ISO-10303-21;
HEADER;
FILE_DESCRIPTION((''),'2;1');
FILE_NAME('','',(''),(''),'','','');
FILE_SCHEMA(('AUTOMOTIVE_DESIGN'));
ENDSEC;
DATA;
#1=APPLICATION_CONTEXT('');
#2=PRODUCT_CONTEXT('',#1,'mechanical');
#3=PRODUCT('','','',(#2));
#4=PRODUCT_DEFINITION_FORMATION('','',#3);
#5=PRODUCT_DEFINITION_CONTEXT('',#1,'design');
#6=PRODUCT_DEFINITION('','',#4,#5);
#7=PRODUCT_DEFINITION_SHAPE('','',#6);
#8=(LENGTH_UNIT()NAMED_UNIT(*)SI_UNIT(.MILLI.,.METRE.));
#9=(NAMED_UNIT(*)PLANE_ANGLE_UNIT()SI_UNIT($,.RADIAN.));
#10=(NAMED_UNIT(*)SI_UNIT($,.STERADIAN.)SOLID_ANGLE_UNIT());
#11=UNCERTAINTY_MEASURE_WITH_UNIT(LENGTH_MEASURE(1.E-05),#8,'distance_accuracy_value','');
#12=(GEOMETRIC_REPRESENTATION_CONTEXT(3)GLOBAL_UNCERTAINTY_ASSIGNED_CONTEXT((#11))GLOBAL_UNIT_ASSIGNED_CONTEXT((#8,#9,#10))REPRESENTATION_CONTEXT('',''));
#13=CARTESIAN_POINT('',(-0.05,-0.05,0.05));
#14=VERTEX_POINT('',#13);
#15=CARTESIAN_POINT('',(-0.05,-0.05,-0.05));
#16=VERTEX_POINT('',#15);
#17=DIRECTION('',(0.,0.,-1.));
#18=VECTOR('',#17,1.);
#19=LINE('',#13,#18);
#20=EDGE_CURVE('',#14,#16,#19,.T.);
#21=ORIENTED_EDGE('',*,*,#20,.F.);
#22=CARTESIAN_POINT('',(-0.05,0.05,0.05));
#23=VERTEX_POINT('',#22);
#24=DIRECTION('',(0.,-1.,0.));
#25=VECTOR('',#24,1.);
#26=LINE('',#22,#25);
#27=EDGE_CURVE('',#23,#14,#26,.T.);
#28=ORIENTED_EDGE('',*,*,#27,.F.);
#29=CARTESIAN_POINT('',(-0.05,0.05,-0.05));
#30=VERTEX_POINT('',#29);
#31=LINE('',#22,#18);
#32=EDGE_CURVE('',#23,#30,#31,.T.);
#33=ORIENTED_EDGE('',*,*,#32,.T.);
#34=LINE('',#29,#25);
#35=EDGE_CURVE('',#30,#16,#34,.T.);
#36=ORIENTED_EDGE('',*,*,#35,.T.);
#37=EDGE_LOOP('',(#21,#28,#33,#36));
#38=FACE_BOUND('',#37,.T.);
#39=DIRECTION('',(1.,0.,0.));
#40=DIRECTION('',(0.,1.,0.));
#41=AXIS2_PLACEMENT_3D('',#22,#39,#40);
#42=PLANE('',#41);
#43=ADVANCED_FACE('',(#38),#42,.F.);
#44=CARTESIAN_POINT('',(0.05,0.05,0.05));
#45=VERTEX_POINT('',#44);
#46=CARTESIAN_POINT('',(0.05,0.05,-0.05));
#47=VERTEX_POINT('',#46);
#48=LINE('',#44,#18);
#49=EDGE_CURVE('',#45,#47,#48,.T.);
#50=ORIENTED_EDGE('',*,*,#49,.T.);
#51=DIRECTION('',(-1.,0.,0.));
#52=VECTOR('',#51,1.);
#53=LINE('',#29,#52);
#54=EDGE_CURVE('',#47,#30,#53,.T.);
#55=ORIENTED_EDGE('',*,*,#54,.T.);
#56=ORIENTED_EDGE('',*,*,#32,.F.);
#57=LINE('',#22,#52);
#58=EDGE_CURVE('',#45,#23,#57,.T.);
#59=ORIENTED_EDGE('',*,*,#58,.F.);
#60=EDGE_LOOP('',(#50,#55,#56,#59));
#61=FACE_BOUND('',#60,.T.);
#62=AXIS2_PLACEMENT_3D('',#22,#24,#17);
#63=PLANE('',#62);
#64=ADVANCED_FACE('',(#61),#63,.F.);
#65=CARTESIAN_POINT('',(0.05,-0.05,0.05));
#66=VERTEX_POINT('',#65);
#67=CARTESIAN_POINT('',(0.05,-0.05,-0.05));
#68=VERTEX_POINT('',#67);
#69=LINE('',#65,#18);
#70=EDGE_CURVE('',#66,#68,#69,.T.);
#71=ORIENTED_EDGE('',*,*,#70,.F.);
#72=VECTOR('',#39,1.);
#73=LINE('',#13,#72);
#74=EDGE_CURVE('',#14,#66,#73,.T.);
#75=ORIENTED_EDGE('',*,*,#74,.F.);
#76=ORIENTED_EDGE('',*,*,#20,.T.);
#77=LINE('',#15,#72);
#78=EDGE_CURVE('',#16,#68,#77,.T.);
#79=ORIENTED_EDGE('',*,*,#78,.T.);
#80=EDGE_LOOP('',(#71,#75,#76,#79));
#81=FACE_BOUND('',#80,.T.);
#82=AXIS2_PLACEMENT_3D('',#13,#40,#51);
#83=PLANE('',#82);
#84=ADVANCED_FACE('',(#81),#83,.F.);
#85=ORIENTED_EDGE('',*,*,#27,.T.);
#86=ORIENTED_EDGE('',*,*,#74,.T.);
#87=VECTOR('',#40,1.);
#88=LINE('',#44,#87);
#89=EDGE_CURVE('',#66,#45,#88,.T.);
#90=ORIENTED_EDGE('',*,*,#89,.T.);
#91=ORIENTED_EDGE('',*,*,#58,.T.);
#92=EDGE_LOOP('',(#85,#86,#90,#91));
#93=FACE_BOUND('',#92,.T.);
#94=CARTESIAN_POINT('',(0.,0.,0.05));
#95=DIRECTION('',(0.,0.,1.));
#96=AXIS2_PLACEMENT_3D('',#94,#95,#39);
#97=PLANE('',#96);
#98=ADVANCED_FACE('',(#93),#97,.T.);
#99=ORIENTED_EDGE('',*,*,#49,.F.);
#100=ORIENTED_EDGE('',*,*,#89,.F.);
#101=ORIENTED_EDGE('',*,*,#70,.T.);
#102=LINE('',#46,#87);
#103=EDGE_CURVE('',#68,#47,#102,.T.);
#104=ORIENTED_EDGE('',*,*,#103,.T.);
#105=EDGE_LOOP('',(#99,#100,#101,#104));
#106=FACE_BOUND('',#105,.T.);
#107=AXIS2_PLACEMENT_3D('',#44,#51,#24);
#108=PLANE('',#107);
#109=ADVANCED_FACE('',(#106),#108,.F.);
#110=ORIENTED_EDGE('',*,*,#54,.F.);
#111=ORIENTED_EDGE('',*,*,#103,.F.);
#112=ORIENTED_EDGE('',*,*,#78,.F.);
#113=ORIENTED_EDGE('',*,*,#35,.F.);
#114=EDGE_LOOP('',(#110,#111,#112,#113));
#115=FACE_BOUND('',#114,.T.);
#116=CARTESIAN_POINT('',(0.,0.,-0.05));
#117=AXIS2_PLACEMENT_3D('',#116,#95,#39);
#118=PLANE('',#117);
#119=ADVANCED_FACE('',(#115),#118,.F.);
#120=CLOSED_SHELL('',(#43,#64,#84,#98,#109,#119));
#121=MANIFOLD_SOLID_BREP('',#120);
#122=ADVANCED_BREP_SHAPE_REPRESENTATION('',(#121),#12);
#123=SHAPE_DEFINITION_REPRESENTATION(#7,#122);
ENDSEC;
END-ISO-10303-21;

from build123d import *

# Parameters (mm, degrees)
SKETCH_2_W      = 0.1
SKETCH_2_H      = 0.1
EXTRUDE_1_DEPTH = 0.05


with BuildPart() as part:
    # 草图2 → 凸台-拉伸1 (new body, symmetric)
    with BuildSketch(Plane.XY):
        Rectangle(SKETCH_2_W, SKETCH_2_H)
    extrude(amount=EXTRUDE_1_DEPTH, both=True)


solid = part.part
